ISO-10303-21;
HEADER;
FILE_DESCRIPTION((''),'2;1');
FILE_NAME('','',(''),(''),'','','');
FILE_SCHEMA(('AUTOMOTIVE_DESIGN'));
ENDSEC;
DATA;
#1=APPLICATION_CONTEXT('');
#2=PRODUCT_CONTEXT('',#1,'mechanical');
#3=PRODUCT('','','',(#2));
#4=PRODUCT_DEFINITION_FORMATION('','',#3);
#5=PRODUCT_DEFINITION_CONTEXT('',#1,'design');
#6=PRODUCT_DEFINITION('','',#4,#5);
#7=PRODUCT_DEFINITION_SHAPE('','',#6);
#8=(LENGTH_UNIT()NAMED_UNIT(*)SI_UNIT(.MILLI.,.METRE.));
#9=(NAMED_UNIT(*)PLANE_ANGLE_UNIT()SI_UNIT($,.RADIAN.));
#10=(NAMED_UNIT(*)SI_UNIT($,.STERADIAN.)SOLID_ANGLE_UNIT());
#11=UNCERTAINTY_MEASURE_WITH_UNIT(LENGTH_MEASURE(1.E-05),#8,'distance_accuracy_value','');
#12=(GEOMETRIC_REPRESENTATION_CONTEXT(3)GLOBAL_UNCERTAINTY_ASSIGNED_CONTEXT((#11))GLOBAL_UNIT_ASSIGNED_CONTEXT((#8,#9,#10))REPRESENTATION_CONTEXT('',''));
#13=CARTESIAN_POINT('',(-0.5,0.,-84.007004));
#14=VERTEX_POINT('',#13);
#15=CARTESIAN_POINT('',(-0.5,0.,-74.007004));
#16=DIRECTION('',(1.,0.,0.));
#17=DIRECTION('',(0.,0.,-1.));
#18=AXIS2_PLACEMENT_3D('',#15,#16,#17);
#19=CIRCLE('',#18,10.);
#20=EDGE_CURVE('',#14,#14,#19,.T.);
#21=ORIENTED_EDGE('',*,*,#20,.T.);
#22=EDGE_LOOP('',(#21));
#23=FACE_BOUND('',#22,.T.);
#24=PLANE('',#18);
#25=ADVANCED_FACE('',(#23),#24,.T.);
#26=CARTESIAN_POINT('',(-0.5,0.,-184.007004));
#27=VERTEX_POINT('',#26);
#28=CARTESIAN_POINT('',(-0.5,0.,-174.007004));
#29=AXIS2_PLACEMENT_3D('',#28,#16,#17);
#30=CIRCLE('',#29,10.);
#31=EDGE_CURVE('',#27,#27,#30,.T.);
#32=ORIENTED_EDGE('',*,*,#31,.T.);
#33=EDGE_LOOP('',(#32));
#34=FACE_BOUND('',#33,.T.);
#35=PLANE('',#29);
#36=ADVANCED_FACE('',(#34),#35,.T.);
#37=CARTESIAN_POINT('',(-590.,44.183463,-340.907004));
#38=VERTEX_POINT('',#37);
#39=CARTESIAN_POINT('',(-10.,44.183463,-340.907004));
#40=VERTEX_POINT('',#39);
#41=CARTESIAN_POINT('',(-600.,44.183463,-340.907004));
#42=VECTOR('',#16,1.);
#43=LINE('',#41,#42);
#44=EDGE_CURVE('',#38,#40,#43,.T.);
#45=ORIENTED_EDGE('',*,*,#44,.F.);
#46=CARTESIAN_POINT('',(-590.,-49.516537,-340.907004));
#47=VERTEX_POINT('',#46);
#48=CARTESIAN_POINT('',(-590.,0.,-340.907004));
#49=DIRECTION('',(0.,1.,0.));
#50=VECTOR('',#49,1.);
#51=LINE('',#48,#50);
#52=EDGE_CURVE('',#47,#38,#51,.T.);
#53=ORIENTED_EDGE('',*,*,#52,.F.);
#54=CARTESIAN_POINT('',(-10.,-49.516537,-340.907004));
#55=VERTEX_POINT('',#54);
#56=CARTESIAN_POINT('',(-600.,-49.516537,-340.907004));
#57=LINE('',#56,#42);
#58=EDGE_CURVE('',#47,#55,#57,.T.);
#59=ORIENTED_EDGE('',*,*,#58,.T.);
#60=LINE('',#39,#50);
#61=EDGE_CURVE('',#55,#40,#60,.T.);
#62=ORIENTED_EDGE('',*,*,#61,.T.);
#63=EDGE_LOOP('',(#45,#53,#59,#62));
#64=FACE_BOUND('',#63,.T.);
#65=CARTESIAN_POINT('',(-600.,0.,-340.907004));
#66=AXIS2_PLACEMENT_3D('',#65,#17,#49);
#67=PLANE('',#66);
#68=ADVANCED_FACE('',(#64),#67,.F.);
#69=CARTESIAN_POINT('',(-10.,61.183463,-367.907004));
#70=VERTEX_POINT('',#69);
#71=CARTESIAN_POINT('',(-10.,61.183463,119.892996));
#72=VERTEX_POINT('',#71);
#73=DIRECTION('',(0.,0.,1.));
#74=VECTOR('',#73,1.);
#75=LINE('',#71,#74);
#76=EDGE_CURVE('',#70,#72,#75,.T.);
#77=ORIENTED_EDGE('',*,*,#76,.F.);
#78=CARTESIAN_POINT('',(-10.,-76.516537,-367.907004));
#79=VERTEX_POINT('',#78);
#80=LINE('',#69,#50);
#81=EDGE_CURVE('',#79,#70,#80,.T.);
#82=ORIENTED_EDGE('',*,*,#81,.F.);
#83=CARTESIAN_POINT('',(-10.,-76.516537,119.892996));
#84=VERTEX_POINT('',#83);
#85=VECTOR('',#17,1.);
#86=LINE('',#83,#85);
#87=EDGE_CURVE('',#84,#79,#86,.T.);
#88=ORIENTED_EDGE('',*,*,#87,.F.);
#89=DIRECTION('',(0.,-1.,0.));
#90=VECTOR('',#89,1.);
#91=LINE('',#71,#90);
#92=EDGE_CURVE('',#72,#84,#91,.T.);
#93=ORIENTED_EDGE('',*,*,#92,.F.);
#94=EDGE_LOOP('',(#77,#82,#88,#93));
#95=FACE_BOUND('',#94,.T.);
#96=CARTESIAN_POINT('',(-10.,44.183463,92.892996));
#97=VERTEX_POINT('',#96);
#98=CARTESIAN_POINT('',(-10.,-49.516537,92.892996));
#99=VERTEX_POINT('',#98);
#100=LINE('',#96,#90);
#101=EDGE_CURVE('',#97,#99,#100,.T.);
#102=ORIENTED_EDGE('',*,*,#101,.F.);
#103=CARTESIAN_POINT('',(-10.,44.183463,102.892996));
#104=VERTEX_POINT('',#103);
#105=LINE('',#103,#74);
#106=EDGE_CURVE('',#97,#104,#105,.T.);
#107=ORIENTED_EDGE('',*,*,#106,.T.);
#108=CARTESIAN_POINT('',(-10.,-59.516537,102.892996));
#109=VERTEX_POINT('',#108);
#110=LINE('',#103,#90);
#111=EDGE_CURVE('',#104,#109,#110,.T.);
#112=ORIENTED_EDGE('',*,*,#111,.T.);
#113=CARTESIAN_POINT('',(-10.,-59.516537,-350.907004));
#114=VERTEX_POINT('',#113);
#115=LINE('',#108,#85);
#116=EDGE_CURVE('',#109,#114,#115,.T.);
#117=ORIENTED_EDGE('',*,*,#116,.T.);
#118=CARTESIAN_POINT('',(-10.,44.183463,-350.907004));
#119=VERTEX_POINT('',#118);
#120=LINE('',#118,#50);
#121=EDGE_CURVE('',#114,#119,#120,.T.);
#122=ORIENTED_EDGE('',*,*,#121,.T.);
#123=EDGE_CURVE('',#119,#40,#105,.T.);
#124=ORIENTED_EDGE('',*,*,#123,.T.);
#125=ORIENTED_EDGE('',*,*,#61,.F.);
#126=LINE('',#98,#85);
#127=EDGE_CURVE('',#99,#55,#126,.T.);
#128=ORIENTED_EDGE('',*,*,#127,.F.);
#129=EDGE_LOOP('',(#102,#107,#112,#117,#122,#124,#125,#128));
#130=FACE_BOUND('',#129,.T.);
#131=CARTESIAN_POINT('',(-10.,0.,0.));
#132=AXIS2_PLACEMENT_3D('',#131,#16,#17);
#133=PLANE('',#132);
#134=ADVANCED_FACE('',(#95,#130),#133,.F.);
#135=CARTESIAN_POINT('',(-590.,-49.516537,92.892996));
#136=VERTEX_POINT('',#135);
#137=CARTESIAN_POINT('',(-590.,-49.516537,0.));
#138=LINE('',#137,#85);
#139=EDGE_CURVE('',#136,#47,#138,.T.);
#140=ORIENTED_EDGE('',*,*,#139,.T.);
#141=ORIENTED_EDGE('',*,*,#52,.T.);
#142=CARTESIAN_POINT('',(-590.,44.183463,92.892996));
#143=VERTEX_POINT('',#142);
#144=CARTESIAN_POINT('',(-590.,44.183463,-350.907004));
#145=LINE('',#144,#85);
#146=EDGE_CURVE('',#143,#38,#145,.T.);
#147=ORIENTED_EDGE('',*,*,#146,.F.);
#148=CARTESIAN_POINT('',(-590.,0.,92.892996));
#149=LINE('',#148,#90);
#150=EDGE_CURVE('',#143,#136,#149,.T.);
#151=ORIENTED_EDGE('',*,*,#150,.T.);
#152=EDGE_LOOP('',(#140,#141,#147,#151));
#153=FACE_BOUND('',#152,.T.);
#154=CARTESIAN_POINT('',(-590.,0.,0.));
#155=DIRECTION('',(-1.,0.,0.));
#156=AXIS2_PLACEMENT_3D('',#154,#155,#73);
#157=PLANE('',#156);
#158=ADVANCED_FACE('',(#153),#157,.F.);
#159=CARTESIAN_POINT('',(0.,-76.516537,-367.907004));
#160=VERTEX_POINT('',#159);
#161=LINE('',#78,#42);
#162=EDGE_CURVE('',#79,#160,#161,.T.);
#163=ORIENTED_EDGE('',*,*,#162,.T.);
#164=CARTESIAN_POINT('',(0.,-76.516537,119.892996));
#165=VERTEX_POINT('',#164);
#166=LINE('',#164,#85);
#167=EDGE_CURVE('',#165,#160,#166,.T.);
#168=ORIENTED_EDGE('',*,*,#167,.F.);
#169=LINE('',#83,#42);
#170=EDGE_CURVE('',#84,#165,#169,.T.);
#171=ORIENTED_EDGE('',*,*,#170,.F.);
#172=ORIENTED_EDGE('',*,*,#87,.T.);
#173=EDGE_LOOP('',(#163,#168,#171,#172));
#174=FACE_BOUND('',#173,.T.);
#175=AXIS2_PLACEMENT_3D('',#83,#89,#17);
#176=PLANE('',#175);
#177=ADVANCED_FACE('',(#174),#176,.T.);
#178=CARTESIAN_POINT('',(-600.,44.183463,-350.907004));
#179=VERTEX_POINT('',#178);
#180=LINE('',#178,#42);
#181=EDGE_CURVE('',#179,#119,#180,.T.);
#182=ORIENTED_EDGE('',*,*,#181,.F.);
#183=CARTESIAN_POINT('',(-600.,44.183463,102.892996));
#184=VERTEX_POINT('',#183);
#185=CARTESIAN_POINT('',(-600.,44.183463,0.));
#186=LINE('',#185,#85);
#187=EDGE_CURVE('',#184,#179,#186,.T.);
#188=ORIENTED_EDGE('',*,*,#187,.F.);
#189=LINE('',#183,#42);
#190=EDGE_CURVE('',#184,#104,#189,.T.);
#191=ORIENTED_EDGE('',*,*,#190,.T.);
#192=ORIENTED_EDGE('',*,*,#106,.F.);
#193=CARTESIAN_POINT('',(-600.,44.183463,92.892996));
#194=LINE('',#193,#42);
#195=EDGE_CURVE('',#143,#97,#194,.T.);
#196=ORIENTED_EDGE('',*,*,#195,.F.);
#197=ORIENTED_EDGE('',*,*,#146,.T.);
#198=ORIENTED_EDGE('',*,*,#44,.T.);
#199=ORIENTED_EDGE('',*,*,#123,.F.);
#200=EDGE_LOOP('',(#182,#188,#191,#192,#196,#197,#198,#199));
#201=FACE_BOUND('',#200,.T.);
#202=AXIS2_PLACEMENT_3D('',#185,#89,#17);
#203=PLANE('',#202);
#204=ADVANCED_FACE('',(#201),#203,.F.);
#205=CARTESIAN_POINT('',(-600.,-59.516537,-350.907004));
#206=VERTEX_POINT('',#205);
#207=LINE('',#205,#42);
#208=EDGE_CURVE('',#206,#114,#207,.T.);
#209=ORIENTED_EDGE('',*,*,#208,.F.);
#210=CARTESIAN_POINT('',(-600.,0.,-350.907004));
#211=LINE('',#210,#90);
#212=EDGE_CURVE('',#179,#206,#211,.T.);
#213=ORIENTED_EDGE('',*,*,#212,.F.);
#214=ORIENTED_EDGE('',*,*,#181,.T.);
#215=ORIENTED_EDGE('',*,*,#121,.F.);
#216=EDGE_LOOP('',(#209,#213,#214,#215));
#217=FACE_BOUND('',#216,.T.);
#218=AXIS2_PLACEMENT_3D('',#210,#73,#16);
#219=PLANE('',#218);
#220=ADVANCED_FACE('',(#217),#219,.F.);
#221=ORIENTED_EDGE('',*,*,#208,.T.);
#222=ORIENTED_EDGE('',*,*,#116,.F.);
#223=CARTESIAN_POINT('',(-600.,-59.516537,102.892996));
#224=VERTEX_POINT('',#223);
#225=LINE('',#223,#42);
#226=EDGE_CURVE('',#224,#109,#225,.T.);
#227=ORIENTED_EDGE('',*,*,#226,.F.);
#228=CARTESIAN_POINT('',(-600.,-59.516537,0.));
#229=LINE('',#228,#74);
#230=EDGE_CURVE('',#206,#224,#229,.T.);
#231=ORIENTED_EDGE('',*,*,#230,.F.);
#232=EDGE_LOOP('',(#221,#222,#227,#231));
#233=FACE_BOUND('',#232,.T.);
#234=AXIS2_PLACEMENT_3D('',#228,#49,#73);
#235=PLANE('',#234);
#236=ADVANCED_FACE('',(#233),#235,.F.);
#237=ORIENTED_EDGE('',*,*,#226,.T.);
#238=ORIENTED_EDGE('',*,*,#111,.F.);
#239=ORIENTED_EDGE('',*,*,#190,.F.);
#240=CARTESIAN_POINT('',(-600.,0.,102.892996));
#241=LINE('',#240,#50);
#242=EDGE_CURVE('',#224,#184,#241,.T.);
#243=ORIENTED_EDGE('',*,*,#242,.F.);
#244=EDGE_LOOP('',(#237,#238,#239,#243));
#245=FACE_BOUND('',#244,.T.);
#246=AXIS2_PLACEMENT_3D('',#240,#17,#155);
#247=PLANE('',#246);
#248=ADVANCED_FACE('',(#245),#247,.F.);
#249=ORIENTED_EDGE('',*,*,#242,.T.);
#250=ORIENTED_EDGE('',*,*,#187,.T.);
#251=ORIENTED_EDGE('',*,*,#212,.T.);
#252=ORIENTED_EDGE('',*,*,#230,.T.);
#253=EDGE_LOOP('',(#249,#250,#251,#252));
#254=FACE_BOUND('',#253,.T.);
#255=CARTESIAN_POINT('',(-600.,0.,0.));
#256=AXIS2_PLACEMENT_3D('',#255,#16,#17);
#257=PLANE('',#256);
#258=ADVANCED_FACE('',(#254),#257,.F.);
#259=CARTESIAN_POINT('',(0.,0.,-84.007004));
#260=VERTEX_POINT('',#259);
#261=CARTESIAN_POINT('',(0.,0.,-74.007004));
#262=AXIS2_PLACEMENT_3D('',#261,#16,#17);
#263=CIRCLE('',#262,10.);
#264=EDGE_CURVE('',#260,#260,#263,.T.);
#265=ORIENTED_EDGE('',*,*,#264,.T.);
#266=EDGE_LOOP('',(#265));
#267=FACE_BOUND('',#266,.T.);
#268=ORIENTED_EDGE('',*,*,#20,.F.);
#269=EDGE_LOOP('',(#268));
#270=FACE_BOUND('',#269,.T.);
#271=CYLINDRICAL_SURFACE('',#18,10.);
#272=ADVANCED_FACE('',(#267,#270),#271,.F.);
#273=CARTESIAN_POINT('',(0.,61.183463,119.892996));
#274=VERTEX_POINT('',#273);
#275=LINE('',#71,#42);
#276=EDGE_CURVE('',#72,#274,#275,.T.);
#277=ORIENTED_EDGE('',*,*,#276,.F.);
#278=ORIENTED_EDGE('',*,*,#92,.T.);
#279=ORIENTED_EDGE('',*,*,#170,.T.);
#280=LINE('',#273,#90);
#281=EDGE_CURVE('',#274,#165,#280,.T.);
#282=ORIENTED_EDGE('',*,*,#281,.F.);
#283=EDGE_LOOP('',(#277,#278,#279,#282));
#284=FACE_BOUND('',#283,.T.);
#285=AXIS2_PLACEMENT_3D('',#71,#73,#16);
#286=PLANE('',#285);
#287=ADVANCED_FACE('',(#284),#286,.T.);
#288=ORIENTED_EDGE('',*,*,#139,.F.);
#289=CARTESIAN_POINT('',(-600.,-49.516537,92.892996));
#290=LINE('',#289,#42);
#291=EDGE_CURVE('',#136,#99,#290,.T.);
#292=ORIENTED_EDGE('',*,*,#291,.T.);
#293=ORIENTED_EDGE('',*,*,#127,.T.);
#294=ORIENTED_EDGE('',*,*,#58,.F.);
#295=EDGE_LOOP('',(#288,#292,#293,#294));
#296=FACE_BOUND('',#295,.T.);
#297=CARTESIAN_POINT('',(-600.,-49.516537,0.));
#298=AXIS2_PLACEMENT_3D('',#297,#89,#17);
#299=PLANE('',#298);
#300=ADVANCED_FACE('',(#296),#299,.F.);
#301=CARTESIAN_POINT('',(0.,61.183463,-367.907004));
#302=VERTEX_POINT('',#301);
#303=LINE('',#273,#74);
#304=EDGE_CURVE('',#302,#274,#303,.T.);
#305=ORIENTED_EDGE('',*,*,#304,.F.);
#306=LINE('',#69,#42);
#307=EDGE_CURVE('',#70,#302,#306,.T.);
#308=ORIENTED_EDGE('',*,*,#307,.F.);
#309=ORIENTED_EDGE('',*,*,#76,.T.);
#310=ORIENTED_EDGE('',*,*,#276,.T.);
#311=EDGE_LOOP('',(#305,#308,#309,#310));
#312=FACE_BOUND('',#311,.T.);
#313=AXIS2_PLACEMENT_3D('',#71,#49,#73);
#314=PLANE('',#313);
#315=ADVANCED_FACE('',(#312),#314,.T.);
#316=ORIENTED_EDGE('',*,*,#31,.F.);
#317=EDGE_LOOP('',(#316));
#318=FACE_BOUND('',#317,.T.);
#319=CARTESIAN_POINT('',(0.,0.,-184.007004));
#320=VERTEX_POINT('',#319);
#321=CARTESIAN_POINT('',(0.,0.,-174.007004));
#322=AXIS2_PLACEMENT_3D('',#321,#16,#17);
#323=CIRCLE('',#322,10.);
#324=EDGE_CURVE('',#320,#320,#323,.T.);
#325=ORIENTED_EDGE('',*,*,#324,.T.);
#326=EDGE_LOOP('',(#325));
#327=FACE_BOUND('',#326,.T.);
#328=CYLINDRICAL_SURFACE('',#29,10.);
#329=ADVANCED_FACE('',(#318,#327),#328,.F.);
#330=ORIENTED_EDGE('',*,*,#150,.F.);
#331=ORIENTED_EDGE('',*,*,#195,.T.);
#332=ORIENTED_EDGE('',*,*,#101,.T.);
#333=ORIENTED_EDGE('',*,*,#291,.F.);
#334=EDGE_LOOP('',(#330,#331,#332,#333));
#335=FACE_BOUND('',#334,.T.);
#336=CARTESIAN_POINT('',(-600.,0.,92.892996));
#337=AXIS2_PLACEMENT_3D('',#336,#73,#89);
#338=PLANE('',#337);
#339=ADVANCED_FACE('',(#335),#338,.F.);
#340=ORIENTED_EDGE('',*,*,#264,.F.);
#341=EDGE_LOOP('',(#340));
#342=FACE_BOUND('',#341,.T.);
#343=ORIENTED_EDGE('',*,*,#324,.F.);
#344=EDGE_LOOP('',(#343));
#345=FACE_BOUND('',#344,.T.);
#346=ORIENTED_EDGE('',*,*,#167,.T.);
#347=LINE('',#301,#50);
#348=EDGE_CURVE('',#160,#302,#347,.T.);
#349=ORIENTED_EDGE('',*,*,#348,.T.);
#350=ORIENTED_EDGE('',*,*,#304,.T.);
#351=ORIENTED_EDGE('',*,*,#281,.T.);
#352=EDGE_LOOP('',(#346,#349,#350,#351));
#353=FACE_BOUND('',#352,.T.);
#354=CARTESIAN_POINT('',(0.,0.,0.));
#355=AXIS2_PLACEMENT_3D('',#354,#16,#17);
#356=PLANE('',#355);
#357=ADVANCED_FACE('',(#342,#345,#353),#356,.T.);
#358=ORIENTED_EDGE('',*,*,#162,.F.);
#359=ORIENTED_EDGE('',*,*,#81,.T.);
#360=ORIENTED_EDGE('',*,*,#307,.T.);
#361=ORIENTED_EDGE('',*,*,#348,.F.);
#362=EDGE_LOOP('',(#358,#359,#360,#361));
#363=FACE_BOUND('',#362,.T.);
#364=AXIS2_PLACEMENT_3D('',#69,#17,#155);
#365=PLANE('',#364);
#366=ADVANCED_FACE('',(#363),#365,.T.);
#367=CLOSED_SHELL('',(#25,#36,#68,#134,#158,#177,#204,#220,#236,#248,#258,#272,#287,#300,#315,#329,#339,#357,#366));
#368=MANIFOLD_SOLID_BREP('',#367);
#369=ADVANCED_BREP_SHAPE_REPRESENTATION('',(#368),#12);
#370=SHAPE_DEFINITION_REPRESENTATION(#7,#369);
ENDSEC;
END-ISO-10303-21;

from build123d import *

# Parameters (mm, degrees)
SKETCH1_W           = 487.8
SKETCH1_H           = 137.7
SKETCH1_W_2         = 453.8
SKETCH1_H_2         = 103.7
BOSS_EXTRUDE2_DEPTH = 10
BOSS_EXTRUDE3_DEPTH = 600
SKETCH5_W           = 433.8
SKETCH5_H           = 93.7
BOSS_EXTRUDE4_DEPTH = 10
SKETCH6_W           = 453.8
SKETCH6_H           = 103.7
BOSS_EXTRUDE5_DEPTH = 10
SKETCH7_R           = 25
CUT_EXTRUDE2_DEPTH  = 5
SKETCH8_W           = 116.599055382
SKETCH8_H           = 75.38732029
BOSS_EXTRUDE6_DEPTH = 9
SKETCH9_R           = 10
CUT_EXTRUDE4_DEPTH  = 0.5


with BuildPart() as part:
    # Sketch1 → Boss-Extrude2 (new body)
    with BuildSketch(Plane(origin=(0, 0, 0), x_dir=(0, 0, -1), z_dir=(1, 0, 0))):
        with Locations((124.007003891, -7.666536965)):
            Rectangle(SKETCH1_W, SKETCH1_H)
        with Locations((124.007003891, -7.666536965)):
            Rectangle(SKETCH1_W_2, SKETCH1_H_2, mode=Mode.SUBTRACT)
    extrude(amount=-BOSS_EXTRUDE2_DEPTH)

    # Sketch4 → Boss-Extrude3 (add)
    with BuildSketch(Plane(origin=(0, 0, 0), x_dir=(0, 0, -1), z_dir=(1, 0, 0))):
        Polygon((-92.892996109, -49.516536965), (-92.892996109, 34.183463035), (-92.892996109, 44.183463035), (-102.892996109, 44.183463035), (-102.892996109, -59.516536965), (350.907003891, -59.516536965), (350.907003891, 44.183463035), (340.907003891, 44.183463035), (340.907003891, 34.183463035), (340.907003891, -49.516536965), align=None)
    extrude(amount=-BOSS_EXTRUDE3_DEPTH)

    # Sketch5 → Boss-Extrude4 (add)
    with BuildSketch(Plane(origin=(0, 0, 0), x_dir=(0, 0, -1), z_dir=(1, 0, 0))):
        with Locations((124.007003891, -2.666536965)):
            Rectangle(SKETCH5_W, SKETCH5_H)
    extrude(amount=-BOSS_EXTRUDE4_DEPTH)

    # Sketch6 → Boss-Extrude5 (add)
    with BuildSketch(Plane.ZY.offset(600)):
        with Locations((-124.007003891, -7.666536965)):
            Rectangle(SKETCH6_W, SKETCH6_H)
    extrude(amount=-BOSS_EXTRUDE5_DEPTH)

    # Sketch7 → Cut-Extrude2 (cut)
    with BuildSketch(Plane(origin=(0, 0, 0), x_dir=(0, 0, -1), z_dir=(1, 0, 0))):
        with Locations((124.007003891, -11.609012226)):
            Circle(SKETCH7_R)
    extrude(amount=-CUT_EXTRUDE2_DEPTH, mode=Mode.SUBTRACT)

    # Sketch8 → Boss-Extrude6 (add)
    with BuildSketch(Plane(origin=(0, 0, 0), x_dir=(0, 0, -1), z_dir=(1, 0, 0))):
        with Locations((135.566393002, -11.938485115)):
            Rectangle(SKETCH8_W, SKETCH8_H)
    extrude(amount=-BOSS_EXTRUDE6_DEPTH)

    # Sketch9 → Cut-Extrude4 (cut)
    with BuildSketch(Plane(origin=(0, 0, 0), x_dir=(0, 0, -1), z_dir=(1, 0, 0))):
        with Locations((74.007003891, 0)):
            Circle(SKETCH9_R)
        with Locations((174.007003891, 0)):
            Circle(SKETCH9_R)
    extrude(amount=-CUT_EXTRUDE4_DEPTH, mode=Mode.SUBTRACT)


solid = part.part
